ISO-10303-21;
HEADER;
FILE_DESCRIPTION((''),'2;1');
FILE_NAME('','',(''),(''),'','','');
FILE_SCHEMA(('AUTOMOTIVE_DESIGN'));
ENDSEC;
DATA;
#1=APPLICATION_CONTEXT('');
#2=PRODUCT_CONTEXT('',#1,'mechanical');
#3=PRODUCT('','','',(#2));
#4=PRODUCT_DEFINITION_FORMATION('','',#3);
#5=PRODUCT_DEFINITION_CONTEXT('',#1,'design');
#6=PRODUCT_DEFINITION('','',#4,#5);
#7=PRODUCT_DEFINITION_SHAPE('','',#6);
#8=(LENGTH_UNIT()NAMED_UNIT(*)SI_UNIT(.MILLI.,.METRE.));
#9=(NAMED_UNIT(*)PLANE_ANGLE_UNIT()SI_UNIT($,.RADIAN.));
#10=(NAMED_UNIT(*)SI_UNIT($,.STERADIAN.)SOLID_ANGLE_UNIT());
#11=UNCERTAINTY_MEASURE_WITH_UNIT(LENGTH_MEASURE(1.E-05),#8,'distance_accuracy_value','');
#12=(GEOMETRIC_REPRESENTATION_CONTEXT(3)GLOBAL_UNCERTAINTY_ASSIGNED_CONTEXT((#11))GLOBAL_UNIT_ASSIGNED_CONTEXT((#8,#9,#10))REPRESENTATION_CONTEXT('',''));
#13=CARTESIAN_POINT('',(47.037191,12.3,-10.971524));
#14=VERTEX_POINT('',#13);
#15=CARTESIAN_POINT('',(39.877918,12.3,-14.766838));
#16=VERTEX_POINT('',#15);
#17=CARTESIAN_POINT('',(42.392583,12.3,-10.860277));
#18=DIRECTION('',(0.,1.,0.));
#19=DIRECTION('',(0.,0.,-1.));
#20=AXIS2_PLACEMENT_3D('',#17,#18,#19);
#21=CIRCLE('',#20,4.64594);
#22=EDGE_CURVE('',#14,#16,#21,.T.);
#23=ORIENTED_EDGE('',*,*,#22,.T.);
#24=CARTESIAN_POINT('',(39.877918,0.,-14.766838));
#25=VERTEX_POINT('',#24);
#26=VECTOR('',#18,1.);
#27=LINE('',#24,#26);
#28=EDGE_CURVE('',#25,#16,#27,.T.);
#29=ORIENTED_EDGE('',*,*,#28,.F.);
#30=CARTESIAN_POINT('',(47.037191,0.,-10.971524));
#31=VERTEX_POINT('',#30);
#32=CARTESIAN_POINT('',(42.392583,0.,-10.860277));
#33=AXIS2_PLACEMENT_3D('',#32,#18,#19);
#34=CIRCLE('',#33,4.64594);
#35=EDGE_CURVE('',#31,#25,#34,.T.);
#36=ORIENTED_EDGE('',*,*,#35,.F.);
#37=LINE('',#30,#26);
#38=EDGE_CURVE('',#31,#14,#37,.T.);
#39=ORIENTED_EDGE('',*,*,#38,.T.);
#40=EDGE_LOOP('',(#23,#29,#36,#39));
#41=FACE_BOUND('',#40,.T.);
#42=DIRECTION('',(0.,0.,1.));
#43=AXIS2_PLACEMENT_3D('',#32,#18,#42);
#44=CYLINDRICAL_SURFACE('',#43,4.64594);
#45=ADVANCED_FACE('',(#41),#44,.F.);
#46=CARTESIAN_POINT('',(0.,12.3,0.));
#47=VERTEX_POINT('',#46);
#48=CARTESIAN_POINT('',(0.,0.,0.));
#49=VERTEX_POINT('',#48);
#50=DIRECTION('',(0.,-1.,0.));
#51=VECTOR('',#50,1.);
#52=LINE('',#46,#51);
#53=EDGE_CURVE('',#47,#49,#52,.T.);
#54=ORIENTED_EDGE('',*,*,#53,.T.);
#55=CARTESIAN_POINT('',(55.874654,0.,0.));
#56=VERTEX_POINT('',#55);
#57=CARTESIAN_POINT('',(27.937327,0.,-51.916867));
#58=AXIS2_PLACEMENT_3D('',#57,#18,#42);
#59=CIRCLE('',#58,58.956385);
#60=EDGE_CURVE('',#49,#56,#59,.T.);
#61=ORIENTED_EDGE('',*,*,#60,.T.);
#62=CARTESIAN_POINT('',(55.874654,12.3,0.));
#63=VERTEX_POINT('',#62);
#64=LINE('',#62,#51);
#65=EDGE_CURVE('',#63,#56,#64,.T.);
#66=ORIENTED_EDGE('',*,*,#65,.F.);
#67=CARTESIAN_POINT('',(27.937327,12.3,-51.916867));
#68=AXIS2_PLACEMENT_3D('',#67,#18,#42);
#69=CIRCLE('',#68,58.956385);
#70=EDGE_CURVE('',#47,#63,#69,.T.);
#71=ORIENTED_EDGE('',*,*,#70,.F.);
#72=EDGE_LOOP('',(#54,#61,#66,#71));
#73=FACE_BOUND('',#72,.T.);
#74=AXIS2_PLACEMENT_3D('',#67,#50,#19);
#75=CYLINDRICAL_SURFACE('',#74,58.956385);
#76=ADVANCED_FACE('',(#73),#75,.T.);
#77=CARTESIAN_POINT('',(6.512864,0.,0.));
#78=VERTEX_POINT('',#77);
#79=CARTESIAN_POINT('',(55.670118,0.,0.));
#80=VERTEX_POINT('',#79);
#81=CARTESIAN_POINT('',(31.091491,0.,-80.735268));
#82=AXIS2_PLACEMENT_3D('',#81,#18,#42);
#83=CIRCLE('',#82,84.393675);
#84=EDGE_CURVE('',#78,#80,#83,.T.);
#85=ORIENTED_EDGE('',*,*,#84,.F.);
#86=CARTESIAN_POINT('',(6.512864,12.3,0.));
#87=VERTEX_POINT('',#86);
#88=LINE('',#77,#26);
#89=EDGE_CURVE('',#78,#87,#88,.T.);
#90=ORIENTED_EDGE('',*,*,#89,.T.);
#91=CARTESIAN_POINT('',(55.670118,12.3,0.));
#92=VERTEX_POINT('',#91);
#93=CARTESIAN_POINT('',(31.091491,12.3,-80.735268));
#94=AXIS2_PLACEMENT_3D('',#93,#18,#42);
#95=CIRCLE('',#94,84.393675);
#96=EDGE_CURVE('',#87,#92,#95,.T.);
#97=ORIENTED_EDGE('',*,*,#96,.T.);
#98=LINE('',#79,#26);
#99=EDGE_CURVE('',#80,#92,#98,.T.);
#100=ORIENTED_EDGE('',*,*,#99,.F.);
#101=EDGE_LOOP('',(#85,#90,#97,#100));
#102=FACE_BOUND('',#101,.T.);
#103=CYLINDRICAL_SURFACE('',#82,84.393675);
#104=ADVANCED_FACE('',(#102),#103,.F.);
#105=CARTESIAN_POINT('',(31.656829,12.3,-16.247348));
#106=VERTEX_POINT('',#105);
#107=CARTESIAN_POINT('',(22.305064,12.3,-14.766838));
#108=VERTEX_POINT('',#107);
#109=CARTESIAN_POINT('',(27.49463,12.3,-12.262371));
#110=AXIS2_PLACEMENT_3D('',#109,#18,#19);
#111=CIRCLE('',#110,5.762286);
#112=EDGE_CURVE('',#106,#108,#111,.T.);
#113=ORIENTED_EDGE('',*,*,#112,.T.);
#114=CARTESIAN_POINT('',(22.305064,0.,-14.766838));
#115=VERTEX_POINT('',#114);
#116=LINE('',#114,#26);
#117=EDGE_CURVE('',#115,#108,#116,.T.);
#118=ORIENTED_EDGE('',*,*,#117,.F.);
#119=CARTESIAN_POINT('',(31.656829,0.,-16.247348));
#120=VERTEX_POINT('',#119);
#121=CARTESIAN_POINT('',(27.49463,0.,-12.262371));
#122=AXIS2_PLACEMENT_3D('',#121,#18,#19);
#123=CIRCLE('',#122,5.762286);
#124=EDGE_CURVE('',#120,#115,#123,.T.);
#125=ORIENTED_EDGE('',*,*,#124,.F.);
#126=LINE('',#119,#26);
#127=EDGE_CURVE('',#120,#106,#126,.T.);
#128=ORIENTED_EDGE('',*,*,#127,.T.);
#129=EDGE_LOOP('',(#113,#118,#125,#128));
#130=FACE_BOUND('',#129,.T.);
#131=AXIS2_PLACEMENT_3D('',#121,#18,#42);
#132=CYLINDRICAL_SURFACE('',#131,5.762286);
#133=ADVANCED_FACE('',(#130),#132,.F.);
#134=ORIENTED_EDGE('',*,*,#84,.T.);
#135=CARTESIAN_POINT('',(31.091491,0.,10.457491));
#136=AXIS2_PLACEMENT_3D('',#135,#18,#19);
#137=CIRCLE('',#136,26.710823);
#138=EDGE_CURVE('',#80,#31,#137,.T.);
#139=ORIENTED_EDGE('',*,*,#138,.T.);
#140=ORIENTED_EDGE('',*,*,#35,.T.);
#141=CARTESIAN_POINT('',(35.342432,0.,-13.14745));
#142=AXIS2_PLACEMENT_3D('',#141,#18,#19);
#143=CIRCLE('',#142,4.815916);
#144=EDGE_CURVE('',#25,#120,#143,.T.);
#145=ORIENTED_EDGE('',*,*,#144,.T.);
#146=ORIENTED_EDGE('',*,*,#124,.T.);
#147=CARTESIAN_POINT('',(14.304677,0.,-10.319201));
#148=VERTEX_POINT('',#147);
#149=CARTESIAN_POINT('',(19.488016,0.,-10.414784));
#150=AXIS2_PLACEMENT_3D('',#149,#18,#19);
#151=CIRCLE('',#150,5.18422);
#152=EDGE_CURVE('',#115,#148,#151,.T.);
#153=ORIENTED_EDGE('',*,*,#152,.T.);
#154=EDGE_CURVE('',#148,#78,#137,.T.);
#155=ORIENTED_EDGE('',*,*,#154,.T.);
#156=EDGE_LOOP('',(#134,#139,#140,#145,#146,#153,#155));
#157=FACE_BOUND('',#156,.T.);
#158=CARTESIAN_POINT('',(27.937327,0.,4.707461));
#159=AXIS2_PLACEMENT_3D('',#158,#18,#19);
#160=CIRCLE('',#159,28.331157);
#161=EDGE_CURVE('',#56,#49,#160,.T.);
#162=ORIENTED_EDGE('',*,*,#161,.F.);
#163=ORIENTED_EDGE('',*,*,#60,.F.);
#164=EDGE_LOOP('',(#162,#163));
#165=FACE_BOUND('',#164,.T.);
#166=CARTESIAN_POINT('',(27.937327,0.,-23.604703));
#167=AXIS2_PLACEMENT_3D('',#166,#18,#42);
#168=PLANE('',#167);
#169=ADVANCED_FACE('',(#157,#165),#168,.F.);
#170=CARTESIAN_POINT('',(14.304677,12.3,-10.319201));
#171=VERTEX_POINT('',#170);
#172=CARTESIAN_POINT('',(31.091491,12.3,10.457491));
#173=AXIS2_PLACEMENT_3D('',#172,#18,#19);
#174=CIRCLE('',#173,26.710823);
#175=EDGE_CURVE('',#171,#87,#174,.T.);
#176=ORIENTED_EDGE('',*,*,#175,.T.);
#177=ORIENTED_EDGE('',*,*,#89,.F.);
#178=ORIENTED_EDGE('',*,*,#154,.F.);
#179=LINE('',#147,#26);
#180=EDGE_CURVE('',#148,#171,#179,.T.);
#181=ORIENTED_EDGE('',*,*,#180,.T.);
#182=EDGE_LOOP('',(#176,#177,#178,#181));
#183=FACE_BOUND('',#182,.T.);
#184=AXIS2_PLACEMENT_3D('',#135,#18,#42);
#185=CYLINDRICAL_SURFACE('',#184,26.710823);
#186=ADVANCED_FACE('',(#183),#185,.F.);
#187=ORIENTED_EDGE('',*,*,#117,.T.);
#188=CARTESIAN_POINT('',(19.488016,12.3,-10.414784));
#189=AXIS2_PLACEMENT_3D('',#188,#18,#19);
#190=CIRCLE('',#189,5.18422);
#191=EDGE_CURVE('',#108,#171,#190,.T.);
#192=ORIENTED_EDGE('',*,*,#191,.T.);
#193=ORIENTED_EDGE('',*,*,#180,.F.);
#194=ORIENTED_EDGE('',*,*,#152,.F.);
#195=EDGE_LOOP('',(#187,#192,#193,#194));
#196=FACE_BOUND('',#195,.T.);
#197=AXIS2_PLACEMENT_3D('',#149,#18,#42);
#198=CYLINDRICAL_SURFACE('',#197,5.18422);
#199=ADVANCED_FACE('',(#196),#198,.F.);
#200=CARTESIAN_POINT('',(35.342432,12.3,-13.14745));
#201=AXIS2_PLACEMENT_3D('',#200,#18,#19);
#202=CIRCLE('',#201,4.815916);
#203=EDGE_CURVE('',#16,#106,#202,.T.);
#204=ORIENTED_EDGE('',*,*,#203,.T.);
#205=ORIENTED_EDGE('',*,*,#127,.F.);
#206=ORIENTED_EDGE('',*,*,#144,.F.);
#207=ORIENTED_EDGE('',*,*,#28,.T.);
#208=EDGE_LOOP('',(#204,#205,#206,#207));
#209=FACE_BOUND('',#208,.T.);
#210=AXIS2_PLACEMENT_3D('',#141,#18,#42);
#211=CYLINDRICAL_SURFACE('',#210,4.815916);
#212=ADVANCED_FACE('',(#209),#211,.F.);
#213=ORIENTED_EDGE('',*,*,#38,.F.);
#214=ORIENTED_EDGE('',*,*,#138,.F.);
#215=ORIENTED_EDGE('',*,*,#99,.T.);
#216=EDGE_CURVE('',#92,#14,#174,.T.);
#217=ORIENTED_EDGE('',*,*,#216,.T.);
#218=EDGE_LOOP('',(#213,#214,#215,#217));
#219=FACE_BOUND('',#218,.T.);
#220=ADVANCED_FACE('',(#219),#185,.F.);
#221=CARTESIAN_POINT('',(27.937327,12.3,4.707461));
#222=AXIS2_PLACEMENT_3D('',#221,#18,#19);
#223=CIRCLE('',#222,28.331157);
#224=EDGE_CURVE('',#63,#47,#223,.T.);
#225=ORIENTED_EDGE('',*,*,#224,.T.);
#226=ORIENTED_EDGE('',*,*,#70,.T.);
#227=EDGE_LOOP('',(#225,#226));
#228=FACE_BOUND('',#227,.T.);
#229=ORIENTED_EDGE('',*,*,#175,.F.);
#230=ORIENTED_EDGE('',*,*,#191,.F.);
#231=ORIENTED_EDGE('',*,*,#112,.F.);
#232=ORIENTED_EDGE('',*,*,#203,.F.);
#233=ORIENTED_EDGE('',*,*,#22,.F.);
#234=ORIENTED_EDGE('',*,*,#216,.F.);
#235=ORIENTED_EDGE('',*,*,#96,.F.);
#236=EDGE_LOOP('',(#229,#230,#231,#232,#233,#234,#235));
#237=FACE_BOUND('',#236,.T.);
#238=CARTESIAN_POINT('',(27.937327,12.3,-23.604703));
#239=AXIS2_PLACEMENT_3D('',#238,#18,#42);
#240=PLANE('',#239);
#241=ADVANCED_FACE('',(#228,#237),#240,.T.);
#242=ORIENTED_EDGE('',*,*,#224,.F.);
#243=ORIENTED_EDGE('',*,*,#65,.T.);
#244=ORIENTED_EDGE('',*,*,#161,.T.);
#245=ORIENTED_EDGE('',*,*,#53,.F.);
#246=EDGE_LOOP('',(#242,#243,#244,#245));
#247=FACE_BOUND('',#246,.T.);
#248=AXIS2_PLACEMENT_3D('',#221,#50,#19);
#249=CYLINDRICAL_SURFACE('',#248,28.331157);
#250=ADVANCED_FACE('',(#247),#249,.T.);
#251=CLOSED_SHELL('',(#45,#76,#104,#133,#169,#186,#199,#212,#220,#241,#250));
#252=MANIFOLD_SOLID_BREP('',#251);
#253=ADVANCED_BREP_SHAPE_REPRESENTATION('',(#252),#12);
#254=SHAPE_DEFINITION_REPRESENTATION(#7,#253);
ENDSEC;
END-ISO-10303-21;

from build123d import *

# Parameters (mm, degrees)
BOSS_EXTRUDE1_DEPTH = 12.3
CUT_EXTRUDE1_DEPTH  = 13.3


with BuildPart() as part:
    # Sketch1 → Boss-Extrude1 (new body)
    with BuildSketch(Plane(origin=(0, 0, 0), x_dir=(1, 0, 0), z_dir=(0, 1, 0))):
        with BuildLine():
            ThreePointArc((0, 0), (27.937327101, 23.623695395), (55.874654202, 0))
            ThreePointArc((55.874654202, 0), (27.937327101, -7.03951799), (0, 0))
        make_face()
    extrude(amount=BOSS_EXTRUDE1_DEPTH)

    # Sketch2 → Cut-Extrude1 (cut, through all)
    with BuildSketch(Plane(origin=(0, 12.3, 0), x_dir=(1, 0, 0), z_dir=(0, 1, 0))):
        with BuildLine():
            ThreePointArc((6.512863529, 0), (9.77491486, 5.638211193), (14.304676712, 10.319200608))
            ThreePointArc((14.304676712, 10.319200608), (16.969047295, 14.945891186), (22.305064172, 14.766837577))
            ThreePointArc((22.305064172, 14.766837577), (26.593603486, 17.95377667), (31.656828978, 16.247348283))
            ThreePointArc((31.656828978, 16.247348283), (36.195985479, 17.887121813), (39.87791775, 14.766837577))
            ThreePointArc((39.87791775, 14.766837577), (44.568649172, 14.965090252), (47.03719079, 10.971524469))
            ThreePointArc((47.03719079, 10.971524469), (52.083128874, 6.059747982), (55.670118393, 0))
            ThreePointArc((55.670118393, 0), (31.091490961, -3.658407288), (6.512863529, 0))
        make_face()
    extrude(amount=-CUT_EXTRUDE1_DEPTH, mode=Mode.SUBTRACT)


solid = part.part
